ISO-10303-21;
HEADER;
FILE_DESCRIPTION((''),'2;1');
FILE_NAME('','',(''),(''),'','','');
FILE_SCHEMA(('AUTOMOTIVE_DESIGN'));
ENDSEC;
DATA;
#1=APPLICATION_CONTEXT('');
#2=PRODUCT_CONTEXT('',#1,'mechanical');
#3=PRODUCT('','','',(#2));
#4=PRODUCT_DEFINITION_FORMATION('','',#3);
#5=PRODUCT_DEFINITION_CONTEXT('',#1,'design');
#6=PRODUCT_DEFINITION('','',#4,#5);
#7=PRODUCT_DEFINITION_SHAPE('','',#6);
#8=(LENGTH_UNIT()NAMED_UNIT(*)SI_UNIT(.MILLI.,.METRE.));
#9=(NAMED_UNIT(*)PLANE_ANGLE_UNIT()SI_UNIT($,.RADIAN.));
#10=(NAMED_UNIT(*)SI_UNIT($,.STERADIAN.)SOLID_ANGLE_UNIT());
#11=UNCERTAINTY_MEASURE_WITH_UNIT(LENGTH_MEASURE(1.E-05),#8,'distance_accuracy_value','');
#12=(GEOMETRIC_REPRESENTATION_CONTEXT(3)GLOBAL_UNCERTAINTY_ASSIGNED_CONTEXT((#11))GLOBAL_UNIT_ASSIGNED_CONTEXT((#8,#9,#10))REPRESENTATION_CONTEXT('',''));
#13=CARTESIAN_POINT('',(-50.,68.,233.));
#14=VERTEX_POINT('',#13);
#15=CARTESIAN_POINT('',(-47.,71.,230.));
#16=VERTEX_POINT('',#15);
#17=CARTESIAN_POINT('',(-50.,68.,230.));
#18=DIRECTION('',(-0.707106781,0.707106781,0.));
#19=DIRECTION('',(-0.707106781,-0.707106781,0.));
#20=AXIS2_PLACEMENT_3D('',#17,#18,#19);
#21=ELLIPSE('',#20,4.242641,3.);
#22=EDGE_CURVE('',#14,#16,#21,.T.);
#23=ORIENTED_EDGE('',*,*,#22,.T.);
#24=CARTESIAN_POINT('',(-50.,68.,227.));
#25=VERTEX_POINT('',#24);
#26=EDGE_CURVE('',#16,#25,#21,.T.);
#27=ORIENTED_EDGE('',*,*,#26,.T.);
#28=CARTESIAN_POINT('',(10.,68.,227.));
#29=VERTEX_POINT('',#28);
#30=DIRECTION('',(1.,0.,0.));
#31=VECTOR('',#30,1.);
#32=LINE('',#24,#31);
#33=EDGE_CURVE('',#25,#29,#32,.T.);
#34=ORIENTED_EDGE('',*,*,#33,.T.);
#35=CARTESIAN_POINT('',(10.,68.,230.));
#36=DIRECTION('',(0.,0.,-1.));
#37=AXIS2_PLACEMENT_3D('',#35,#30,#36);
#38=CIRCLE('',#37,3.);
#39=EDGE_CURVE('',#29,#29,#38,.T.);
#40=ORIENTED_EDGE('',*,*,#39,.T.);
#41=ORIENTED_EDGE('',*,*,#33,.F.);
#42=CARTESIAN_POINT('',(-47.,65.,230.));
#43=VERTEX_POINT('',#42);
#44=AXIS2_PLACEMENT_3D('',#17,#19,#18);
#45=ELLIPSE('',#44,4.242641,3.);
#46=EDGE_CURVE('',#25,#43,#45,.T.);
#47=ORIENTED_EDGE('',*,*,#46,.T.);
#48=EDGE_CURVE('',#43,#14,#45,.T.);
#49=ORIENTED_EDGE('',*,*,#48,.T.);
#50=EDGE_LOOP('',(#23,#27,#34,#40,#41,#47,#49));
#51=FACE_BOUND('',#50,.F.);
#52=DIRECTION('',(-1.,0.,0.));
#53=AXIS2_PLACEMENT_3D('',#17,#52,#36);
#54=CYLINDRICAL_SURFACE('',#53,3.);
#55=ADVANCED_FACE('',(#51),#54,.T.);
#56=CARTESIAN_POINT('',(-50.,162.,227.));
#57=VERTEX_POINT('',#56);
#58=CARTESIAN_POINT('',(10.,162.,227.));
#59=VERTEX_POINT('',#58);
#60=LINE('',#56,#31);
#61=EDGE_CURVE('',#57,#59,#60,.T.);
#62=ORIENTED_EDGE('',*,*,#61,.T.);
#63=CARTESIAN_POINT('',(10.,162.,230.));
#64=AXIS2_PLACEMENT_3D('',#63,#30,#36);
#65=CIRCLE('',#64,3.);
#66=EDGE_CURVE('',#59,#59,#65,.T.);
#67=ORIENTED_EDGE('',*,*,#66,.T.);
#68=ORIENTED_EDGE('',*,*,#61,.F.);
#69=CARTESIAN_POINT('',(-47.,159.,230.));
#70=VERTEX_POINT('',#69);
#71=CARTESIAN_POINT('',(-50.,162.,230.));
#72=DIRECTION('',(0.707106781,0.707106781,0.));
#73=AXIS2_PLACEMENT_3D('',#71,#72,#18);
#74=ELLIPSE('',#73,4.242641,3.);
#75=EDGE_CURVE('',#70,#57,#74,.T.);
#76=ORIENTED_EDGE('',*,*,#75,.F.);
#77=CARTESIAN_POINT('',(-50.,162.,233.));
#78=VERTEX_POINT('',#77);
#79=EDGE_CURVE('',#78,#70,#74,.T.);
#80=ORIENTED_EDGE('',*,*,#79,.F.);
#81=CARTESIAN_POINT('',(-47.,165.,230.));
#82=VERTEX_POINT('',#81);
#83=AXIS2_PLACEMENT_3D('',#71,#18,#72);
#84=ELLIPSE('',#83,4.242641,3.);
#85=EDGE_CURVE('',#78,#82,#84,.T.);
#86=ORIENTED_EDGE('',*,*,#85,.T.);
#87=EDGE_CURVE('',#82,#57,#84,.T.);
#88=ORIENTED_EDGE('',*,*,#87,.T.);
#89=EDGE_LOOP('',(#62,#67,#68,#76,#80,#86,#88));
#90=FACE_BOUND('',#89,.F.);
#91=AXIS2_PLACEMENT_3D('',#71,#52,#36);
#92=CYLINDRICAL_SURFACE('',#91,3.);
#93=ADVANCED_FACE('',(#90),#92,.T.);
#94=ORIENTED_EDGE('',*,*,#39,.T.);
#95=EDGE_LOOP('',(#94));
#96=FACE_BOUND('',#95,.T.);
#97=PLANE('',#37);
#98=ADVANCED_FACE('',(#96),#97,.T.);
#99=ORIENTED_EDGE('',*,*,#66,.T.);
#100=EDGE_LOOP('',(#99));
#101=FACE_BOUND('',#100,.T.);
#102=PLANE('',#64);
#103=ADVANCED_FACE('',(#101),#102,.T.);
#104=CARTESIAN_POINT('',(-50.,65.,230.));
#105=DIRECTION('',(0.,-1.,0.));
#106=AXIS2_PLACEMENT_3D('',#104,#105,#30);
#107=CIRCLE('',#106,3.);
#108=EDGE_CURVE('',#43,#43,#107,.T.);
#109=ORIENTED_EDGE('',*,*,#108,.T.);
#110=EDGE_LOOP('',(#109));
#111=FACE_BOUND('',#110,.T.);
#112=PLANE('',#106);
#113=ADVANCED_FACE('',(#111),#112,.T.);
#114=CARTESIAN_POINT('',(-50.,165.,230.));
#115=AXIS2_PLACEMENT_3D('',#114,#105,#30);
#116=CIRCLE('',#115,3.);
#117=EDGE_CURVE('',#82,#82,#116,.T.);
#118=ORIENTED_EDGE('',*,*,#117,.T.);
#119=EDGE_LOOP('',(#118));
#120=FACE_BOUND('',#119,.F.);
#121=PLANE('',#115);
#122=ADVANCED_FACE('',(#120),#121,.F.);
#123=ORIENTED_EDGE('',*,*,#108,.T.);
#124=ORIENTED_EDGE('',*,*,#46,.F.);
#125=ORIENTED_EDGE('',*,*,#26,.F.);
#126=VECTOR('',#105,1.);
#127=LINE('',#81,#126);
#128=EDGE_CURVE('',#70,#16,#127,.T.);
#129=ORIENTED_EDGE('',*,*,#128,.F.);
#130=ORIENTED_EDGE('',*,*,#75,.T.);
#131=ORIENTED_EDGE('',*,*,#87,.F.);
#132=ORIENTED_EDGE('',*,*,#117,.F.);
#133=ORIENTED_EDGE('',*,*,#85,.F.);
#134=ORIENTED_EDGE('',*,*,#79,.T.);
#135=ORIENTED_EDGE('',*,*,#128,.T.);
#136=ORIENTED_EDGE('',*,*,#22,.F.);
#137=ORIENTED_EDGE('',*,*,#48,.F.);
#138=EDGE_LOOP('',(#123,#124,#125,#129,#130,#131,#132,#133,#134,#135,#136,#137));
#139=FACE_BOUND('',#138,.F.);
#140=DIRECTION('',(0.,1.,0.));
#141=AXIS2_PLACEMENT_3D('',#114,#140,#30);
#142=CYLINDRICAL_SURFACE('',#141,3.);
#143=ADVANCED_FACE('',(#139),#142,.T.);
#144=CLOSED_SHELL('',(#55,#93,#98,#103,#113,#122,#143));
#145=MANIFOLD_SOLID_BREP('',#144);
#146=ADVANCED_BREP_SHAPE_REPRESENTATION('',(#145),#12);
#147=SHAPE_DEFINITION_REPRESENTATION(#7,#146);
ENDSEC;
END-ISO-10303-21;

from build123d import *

# Parameters (mm, degrees)
CYLINDER020_R           = 3
CYLINDER020_DEPTH       = 60
CYLINDER020_PITCH_ANGLE = 90
CYLINDER019_R           = 3
CYLINDER019_DEPTH       = 100
CYLINDER019_ROLL_ANGLE  = 90
CYLINDER021_R           = 3
CYLINDER021_DEPTH       = 60
CYLINDER021_PITCH_ANGLE = 90


with BuildPart() as cylinder001:
    # Cylinder020 → Cylinder020 (new body)
    with BuildSketch(Plane.XY):
        Circle(CYLINDER020_R)
    extrude(amount=CYLINDER020_DEPTH)


with BuildPart() as cylinder001_1:
    # Cylinder020 pitch: moved
    add(cylinder001.part.rotate(Axis((0, 0, 0), (0, 1, 0)), CYLINDER020_PITCH_ANGLE))


with BuildPart() as cylinder001_2:
    # Cylinder020 placement: moved
    add(cylinder001_1.part.moved(Location((-50, -3, 0))))


with BuildPart() as fusion006:
    # Cylinder019 → Cylinder019 (new body)
    with BuildSketch(Plane.XY):
        Circle(CYLINDER019_R)
    extrude(amount=CYLINDER019_DEPTH)


with BuildPart() as fusion006_1:
    # Cylinder019 roll: moved
    add(fusion006.part.rotate(Axis((0, 0, 0), (1, 0, 0)), CYLINDER019_ROLL_ANGLE))


with BuildPart() as fusion006_2:
    # Cylinder019 placement: moved
    add(fusion006_1.part.moved(Location((-50, 0, 0))))

    # Fusion006: union Cylinder001
    add(cylinder001_2.part)


with BuildPart() as handle_left:
    # Cylinder021 → Cylinder021 (new body)
    with BuildSketch(Plane.XY):
        Circle(CYLINDER021_R)
    extrude(amount=CYLINDER021_DEPTH)


with BuildPart() as handle_left_1:
    # Cylinder021 pitch: moved
    add(handle_left.part.rotate(Axis((0, 0, 0), (0, 1, 0)), CYLINDER021_PITCH_ANGLE))


with BuildPart() as handle_left_2:
    # Cylinder021 placement: moved
    add(handle_left_1.part.moved(Location((-50, -97, 0))))

    # Fusion007: union Fusion006
    add(fusion006_2.part)


with BuildPart() as handle_left_3:
    # Fusion007 placement: moved
    add(handle_left_2.part.moved(Location((0, 165, 230))))


solid = handle_left_3.part
